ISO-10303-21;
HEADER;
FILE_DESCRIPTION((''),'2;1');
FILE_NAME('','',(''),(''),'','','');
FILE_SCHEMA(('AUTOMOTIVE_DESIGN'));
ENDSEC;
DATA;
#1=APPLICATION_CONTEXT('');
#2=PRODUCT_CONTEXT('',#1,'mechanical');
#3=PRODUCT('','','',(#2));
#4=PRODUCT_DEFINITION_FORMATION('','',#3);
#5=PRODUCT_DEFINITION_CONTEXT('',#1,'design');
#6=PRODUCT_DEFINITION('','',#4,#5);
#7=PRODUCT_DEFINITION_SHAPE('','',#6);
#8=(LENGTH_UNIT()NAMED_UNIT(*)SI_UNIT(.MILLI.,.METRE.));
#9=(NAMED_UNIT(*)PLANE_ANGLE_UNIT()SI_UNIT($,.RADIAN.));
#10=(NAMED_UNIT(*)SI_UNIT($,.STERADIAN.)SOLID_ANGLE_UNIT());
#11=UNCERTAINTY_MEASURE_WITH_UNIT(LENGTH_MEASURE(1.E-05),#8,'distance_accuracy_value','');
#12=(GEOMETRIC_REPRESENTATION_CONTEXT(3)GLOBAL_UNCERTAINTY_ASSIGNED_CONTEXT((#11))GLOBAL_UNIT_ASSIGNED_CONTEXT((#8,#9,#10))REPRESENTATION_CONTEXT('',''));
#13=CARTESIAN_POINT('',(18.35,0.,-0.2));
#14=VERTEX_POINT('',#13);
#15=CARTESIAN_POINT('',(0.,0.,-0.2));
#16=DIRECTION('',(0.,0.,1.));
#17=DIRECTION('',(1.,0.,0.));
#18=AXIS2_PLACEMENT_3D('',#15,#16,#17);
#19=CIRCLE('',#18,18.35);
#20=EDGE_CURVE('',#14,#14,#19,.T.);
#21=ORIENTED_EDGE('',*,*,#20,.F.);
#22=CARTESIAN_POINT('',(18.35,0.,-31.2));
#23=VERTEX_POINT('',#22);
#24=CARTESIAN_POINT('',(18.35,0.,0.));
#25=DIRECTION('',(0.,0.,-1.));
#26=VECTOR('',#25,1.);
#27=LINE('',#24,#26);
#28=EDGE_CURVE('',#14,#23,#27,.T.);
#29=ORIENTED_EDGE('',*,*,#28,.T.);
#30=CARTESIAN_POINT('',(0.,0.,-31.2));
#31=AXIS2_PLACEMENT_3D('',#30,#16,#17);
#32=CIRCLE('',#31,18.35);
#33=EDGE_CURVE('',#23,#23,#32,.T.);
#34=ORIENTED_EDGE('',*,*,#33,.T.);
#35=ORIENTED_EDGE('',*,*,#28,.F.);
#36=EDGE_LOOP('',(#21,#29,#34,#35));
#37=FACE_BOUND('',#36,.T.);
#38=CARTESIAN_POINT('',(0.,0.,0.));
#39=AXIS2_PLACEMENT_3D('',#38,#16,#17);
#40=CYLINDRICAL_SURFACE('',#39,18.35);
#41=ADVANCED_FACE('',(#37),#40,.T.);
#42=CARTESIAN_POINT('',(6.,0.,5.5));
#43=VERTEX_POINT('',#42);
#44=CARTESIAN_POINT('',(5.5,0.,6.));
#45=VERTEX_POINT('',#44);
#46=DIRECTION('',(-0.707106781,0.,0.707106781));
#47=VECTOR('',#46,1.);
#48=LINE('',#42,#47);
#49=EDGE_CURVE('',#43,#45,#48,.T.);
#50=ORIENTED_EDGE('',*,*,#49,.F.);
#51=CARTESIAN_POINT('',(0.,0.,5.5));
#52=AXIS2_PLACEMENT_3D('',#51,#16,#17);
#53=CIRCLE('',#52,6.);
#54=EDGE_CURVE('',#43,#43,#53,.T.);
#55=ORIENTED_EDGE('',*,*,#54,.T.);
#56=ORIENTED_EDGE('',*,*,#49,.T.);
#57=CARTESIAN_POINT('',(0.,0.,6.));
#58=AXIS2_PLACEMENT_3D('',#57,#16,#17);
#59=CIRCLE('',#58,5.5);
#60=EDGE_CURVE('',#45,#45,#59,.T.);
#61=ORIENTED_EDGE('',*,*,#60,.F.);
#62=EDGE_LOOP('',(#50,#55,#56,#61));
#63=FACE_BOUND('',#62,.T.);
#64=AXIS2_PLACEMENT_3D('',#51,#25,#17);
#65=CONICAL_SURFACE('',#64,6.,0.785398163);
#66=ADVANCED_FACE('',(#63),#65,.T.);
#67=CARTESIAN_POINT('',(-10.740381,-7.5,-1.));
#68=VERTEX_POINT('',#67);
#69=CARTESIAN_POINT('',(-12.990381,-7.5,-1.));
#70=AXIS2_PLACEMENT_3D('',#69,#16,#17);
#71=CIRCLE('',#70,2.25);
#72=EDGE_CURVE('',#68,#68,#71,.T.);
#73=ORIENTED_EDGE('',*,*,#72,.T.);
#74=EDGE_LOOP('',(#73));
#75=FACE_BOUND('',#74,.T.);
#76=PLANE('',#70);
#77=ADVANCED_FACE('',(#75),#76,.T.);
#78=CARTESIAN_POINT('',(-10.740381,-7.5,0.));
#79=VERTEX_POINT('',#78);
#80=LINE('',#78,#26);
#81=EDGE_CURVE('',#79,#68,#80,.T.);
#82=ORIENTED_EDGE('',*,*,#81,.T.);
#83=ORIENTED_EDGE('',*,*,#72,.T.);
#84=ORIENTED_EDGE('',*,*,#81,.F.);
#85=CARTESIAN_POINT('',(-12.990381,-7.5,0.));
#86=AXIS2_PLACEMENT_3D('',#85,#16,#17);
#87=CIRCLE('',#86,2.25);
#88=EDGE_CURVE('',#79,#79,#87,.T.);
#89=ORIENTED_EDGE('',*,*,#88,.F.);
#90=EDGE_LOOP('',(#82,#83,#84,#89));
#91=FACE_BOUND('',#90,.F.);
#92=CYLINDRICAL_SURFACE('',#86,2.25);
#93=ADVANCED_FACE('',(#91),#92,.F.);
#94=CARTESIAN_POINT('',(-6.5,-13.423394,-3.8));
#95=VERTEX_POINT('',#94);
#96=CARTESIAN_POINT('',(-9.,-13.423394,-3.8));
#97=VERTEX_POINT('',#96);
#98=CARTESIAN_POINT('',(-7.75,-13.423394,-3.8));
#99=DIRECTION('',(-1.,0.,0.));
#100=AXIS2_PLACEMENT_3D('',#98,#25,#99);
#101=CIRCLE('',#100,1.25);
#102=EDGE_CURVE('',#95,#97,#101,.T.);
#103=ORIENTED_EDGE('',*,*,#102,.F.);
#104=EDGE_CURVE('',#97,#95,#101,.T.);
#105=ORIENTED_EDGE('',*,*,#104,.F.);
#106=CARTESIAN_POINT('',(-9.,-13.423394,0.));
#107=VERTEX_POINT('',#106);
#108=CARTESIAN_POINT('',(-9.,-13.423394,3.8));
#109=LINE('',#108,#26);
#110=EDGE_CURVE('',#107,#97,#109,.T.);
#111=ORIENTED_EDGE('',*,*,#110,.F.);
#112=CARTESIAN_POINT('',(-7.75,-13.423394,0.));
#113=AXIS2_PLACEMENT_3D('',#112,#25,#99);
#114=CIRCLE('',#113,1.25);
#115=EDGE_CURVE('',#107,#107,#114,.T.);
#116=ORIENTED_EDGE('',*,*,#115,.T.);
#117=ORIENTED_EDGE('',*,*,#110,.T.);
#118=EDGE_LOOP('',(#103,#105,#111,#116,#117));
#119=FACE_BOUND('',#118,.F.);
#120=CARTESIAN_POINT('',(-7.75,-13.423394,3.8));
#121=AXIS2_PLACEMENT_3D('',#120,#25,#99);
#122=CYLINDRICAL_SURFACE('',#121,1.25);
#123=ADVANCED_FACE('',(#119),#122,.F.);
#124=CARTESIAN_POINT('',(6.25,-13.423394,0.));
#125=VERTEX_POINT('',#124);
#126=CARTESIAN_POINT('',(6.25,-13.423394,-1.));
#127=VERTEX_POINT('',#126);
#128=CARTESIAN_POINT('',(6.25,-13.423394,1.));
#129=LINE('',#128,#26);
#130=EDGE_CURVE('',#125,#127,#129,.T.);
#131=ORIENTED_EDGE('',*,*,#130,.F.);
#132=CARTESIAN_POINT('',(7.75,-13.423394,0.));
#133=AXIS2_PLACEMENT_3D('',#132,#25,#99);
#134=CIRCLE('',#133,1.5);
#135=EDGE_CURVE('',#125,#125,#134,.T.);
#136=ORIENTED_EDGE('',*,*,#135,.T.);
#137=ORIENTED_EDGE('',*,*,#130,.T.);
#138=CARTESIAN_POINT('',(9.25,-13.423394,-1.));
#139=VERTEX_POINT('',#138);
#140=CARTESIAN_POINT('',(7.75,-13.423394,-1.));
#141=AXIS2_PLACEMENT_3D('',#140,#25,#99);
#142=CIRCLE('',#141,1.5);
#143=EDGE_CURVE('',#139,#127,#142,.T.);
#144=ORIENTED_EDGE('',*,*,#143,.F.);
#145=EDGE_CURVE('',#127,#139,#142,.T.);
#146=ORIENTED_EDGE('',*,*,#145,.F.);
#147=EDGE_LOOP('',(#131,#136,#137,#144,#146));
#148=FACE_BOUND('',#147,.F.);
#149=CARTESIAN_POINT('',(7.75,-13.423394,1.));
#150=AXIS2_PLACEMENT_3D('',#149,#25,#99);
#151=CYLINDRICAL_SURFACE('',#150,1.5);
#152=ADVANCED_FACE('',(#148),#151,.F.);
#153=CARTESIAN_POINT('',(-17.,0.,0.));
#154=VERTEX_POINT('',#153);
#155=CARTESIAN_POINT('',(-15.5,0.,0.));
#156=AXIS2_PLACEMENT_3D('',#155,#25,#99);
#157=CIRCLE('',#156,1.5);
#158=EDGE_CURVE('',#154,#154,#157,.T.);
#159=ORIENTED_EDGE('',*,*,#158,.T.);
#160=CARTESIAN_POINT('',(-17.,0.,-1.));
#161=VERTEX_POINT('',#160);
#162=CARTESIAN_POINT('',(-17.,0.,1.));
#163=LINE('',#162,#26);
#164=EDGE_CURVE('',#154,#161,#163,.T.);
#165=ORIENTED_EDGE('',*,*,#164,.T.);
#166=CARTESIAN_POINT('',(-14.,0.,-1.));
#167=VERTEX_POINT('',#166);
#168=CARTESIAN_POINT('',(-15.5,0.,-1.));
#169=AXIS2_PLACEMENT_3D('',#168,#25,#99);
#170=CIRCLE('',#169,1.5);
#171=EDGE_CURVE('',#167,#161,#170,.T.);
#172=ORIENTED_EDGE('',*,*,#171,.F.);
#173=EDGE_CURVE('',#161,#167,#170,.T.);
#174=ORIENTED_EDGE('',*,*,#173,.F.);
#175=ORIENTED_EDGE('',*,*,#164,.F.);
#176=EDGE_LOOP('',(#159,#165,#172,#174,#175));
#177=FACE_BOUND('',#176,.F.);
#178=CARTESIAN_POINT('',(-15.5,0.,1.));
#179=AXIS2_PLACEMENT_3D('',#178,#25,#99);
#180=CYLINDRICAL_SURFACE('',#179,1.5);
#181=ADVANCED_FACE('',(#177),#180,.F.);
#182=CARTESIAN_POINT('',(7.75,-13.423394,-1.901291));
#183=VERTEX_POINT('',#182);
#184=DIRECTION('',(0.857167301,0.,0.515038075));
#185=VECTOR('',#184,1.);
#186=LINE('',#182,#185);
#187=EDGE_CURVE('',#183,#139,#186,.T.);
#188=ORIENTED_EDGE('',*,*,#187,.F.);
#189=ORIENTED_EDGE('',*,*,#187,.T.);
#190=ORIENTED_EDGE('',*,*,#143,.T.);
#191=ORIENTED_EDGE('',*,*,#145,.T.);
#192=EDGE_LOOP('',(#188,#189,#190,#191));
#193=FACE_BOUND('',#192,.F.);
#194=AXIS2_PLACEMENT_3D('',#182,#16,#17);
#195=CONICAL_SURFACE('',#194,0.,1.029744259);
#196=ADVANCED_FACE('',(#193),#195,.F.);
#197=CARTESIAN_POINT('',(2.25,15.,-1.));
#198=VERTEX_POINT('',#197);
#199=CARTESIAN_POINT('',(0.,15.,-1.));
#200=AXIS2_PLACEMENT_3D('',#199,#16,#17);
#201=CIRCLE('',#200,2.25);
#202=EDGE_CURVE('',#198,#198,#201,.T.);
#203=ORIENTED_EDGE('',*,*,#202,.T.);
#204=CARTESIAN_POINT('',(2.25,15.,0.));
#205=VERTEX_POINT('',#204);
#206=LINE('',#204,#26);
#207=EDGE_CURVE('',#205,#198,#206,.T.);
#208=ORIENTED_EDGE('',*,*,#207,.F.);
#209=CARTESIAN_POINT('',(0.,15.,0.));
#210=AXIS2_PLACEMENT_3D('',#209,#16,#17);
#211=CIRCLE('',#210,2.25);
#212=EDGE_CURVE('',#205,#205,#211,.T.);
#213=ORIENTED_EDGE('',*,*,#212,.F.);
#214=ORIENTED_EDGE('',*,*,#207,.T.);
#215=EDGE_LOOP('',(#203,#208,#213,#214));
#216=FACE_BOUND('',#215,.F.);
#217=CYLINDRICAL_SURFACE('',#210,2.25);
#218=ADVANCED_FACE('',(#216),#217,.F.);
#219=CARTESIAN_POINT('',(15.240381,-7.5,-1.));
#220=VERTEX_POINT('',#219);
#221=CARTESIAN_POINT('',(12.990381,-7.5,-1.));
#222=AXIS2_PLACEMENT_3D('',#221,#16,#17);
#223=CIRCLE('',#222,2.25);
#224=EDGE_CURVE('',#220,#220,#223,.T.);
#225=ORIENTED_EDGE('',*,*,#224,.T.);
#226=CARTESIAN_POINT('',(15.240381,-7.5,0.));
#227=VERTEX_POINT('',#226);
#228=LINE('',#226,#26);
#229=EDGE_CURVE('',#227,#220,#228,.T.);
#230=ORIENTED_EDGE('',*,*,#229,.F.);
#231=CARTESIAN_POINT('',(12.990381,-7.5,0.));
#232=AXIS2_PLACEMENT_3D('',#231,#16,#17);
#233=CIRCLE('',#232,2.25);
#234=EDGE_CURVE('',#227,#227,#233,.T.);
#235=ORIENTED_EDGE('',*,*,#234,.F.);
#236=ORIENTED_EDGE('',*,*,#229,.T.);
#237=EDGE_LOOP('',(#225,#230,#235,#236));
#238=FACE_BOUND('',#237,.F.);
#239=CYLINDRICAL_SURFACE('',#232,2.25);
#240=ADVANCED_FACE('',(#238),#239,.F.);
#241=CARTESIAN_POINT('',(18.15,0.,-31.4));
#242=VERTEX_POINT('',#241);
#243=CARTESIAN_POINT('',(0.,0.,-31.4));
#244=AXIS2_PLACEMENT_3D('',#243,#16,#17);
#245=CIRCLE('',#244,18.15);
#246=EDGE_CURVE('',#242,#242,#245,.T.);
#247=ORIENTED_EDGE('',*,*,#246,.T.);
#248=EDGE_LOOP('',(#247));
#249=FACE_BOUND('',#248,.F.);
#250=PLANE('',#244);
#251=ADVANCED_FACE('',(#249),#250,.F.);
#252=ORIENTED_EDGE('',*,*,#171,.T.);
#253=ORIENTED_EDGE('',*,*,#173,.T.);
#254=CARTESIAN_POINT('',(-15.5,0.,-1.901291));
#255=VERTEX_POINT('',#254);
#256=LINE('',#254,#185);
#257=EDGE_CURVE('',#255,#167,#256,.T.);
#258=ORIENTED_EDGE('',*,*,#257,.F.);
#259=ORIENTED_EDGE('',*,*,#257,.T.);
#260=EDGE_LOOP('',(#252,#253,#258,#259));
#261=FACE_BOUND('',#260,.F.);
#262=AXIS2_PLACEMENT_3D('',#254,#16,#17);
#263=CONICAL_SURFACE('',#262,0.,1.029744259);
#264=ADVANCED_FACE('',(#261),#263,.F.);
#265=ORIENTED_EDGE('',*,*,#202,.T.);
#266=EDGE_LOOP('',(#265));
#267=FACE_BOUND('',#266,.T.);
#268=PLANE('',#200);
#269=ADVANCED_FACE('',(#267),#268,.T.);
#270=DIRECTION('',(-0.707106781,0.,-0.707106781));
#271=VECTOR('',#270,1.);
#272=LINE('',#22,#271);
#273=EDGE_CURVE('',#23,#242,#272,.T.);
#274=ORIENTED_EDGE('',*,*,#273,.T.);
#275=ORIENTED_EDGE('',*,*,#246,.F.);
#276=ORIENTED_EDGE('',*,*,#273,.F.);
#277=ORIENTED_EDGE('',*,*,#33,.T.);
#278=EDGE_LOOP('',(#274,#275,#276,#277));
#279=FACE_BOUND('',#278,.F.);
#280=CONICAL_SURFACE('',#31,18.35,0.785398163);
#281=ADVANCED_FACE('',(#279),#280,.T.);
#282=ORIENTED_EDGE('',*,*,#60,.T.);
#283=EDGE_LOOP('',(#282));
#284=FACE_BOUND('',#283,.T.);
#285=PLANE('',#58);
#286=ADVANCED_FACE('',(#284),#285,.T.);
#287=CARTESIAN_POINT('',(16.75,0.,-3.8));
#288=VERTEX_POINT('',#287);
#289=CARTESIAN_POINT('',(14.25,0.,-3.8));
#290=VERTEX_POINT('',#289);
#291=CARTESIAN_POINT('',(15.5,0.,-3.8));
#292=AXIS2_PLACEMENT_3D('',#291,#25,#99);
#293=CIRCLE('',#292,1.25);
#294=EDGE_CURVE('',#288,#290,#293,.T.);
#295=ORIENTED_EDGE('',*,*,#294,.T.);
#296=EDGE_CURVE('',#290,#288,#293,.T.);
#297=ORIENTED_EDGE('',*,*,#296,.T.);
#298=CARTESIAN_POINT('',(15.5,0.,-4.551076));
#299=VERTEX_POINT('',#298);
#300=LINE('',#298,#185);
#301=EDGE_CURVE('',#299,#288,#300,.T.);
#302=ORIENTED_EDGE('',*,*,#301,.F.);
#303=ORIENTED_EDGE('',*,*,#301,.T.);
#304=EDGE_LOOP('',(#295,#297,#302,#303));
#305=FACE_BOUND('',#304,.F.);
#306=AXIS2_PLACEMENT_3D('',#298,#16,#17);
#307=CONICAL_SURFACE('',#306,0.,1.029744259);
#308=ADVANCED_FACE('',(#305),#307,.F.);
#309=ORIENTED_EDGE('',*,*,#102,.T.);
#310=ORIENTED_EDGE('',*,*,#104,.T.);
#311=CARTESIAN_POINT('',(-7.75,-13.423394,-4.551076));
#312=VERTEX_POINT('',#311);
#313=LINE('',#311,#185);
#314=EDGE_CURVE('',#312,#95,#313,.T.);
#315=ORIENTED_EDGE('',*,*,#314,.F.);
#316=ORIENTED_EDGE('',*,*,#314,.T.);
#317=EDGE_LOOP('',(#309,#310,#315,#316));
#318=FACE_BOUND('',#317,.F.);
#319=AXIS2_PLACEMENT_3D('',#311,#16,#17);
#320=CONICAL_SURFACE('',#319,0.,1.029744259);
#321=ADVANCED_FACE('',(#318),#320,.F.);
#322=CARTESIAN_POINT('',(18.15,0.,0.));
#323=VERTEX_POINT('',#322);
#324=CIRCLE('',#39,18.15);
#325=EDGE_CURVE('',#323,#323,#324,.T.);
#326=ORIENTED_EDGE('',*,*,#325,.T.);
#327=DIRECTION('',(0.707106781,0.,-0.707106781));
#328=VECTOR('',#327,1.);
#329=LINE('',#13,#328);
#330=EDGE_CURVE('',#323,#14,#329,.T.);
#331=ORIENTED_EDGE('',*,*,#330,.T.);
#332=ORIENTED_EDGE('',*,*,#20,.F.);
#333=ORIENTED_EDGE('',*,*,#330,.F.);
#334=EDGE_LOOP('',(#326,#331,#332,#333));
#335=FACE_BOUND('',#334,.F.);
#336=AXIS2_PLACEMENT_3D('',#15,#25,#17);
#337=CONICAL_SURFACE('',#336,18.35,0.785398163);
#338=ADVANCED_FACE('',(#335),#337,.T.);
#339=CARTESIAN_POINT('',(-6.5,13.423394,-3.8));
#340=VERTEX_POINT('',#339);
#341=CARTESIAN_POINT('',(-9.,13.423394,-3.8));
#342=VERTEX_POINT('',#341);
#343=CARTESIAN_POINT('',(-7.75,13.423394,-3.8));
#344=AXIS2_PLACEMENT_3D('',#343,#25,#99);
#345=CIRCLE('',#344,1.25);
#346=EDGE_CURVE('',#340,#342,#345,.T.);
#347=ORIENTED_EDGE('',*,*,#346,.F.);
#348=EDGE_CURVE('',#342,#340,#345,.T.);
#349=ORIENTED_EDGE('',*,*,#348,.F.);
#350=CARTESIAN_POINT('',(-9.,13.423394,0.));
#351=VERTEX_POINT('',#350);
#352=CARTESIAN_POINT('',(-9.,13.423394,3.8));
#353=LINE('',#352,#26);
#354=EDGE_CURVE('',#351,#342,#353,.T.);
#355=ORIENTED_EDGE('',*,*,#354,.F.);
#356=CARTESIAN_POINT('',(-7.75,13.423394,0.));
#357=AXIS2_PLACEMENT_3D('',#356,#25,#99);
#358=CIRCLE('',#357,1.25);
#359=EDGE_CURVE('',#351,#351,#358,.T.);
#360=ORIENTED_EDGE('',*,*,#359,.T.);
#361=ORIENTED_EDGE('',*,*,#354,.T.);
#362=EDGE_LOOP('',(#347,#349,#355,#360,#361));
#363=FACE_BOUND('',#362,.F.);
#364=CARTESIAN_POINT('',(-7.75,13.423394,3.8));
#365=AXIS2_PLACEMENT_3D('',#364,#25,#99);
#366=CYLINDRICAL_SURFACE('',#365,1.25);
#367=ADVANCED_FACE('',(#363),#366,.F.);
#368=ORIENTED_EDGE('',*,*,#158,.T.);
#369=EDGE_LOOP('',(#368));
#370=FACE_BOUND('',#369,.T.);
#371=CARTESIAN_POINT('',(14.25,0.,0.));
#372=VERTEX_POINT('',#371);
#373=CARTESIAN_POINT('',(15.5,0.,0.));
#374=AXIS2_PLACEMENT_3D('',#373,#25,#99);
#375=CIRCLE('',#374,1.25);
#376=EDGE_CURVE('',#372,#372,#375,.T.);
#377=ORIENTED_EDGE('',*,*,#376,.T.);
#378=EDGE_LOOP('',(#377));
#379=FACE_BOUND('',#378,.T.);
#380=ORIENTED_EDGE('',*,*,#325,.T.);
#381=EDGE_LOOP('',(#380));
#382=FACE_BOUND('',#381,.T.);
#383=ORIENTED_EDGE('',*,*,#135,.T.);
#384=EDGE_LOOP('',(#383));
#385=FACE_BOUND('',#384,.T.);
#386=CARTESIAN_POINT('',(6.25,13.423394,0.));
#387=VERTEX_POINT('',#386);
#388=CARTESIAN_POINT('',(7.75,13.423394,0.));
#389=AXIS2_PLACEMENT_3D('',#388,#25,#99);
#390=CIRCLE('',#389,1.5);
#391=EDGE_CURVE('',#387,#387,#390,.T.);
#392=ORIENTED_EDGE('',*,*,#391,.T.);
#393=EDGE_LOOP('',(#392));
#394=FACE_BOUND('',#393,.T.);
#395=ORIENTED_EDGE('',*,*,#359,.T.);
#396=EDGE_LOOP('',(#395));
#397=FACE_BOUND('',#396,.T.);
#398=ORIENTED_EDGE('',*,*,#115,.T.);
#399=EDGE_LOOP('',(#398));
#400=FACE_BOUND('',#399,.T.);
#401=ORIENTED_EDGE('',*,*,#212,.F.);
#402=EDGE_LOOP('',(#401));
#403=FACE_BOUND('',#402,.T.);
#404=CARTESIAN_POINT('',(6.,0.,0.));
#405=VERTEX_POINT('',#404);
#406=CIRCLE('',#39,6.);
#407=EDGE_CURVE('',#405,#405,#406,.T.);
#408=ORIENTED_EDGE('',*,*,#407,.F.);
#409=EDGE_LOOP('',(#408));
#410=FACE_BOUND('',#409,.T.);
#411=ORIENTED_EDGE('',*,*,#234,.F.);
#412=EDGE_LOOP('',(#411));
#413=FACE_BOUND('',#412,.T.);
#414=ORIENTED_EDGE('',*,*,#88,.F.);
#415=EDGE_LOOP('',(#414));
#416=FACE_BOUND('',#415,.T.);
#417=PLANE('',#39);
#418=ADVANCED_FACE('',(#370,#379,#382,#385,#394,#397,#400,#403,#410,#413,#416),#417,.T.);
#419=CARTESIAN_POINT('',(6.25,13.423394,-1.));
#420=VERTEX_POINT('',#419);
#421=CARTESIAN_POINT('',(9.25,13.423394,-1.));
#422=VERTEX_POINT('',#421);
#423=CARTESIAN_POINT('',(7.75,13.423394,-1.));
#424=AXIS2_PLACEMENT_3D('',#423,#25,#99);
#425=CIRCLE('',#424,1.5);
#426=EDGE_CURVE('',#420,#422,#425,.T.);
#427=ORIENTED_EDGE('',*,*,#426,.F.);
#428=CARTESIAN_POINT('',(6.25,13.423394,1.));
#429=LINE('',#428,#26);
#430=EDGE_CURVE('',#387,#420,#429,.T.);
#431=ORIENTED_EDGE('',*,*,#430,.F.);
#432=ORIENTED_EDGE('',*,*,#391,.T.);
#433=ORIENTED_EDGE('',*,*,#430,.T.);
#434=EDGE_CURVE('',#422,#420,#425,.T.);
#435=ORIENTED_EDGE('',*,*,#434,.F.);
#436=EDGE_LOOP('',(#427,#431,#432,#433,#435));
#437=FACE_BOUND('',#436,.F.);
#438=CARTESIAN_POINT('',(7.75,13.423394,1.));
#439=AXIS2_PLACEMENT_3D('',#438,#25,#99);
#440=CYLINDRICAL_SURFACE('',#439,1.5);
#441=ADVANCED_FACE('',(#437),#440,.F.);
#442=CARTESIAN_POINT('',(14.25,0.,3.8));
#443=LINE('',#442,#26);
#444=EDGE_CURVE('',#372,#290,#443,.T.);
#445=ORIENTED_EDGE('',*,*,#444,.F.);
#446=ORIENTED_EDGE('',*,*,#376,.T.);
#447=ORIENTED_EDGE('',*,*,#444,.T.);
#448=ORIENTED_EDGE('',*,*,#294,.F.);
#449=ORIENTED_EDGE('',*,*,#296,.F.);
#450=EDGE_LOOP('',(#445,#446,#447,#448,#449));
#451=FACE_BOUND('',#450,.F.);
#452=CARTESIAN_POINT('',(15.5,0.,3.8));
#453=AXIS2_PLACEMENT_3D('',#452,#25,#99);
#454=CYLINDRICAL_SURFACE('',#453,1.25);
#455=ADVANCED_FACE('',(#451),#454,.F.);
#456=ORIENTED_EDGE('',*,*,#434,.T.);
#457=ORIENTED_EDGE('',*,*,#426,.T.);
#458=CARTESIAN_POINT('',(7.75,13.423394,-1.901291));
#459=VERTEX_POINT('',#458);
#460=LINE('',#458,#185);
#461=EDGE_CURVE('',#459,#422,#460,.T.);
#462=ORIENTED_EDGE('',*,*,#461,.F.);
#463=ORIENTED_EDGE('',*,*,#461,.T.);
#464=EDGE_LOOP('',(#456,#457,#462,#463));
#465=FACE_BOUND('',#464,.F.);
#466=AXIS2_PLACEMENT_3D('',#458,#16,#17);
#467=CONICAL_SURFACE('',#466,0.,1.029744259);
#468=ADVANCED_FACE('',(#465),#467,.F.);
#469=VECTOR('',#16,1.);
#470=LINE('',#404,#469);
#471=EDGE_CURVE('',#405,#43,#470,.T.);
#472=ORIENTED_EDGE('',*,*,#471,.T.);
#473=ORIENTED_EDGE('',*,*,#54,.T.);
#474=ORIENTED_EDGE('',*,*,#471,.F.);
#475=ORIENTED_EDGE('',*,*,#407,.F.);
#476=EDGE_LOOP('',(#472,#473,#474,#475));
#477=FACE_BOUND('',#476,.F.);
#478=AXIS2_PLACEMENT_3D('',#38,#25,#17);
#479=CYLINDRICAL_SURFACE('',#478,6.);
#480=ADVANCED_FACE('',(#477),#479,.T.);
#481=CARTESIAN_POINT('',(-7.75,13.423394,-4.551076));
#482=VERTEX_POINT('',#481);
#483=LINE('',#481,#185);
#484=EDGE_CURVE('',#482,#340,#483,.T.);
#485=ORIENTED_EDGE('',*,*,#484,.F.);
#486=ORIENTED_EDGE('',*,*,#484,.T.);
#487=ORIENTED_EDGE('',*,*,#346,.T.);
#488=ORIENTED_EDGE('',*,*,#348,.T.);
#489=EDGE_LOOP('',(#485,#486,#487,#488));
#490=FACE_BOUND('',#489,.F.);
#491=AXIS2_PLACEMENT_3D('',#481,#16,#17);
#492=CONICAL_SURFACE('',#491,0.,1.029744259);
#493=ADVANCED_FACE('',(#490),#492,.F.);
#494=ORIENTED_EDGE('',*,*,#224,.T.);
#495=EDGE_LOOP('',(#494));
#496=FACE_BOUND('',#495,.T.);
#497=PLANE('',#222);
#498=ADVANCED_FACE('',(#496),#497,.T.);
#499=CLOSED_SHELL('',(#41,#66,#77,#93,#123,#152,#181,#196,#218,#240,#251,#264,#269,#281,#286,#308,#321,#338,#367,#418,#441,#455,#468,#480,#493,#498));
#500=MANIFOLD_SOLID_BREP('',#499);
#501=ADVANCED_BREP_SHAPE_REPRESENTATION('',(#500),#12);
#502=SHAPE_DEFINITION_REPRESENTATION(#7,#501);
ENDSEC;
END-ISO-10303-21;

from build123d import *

# Parameters (mm, degrees)
F0_R      = 18.35
F1_DEPTH  = 31.4
F2_R      = 6
F3_DEPTH  = 6
F4_SIZE   = 0.5
F5_SIZE   = 0.2
F6_R      = 2.25
F7_DEPTH  = 1
F9_D      = 3
F9_DEPTH  = 1
F9_TIP    = 0.9012909285
F11_D     = 2.5
F11_DEPTH = 3.8
F11_TIP   = 0.7510757738


with BuildPart() as f1:
    # F0 (on Top) → F1 (new body)
    with BuildSketch(Plane.XY):
        Circle(F0_R)
    extrude(amount=-F1_DEPTH)

    # F2 (on Top) → F3 (join)
    with BuildSketch(Plane.XY):
        Circle(F2_R)
    extrude(amount=F3_DEPTH)

    # F4
    f4_edges = [f1.edges().sort_by_distance(p)[0] for p in [
        (-6, 0, 6),
    ]]
    chamfer(f4_edges, length=F4_SIZE)

    # F5
    f5_edges = [f1.edges().sort_by_distance(p)[0] for p in [
        (-18.35, 0, 0),
        (-18.35, 0, -31.4),
    ]]
    chamfer(f5_edges, length=F5_SIZE)

    # F6 (on Top) → F7 (cut)
    with BuildSketch(Plane.XY):
        with Locations((0, 15)):
            Circle(F6_R)
        with Locations((-12.9903810568, -7.5)):
            Circle(F6_R)
        with Locations((12.9903810568, -7.5)):
            Circle(F6_R)
    extrude(amount=-F7_DEPTH, mode=Mode.SUBTRACT)

    # F9
    with Locations(Plane.XY):
        with Locations((7.75, 13.4233937587), (7.75, -13.4233937587), (-15.5, 0)):
            Hole(F9_D / 2, depth=F9_DEPTH)
            with Locations((0, 0, -(F9_DEPTH + F9_TIP / 2))):  # 118° drill point
                Cone(0, F9_D / 2, F9_TIP, mode=Mode.SUBTRACT)

    # F11
    with Locations(Plane.XY):
        with Locations((-7.75, 13.4233937587), (15.5, 0), (-7.75, -13.4233937587)):
            Hole(F11_D / 2, depth=F11_DEPTH)
            with Locations((0, 0, -(F11_DEPTH + F11_TIP / 2))):  # 118° drill point
                Cone(0, F11_D / 2, F11_TIP, mode=Mode.SUBTRACT)


solid = f1.part
